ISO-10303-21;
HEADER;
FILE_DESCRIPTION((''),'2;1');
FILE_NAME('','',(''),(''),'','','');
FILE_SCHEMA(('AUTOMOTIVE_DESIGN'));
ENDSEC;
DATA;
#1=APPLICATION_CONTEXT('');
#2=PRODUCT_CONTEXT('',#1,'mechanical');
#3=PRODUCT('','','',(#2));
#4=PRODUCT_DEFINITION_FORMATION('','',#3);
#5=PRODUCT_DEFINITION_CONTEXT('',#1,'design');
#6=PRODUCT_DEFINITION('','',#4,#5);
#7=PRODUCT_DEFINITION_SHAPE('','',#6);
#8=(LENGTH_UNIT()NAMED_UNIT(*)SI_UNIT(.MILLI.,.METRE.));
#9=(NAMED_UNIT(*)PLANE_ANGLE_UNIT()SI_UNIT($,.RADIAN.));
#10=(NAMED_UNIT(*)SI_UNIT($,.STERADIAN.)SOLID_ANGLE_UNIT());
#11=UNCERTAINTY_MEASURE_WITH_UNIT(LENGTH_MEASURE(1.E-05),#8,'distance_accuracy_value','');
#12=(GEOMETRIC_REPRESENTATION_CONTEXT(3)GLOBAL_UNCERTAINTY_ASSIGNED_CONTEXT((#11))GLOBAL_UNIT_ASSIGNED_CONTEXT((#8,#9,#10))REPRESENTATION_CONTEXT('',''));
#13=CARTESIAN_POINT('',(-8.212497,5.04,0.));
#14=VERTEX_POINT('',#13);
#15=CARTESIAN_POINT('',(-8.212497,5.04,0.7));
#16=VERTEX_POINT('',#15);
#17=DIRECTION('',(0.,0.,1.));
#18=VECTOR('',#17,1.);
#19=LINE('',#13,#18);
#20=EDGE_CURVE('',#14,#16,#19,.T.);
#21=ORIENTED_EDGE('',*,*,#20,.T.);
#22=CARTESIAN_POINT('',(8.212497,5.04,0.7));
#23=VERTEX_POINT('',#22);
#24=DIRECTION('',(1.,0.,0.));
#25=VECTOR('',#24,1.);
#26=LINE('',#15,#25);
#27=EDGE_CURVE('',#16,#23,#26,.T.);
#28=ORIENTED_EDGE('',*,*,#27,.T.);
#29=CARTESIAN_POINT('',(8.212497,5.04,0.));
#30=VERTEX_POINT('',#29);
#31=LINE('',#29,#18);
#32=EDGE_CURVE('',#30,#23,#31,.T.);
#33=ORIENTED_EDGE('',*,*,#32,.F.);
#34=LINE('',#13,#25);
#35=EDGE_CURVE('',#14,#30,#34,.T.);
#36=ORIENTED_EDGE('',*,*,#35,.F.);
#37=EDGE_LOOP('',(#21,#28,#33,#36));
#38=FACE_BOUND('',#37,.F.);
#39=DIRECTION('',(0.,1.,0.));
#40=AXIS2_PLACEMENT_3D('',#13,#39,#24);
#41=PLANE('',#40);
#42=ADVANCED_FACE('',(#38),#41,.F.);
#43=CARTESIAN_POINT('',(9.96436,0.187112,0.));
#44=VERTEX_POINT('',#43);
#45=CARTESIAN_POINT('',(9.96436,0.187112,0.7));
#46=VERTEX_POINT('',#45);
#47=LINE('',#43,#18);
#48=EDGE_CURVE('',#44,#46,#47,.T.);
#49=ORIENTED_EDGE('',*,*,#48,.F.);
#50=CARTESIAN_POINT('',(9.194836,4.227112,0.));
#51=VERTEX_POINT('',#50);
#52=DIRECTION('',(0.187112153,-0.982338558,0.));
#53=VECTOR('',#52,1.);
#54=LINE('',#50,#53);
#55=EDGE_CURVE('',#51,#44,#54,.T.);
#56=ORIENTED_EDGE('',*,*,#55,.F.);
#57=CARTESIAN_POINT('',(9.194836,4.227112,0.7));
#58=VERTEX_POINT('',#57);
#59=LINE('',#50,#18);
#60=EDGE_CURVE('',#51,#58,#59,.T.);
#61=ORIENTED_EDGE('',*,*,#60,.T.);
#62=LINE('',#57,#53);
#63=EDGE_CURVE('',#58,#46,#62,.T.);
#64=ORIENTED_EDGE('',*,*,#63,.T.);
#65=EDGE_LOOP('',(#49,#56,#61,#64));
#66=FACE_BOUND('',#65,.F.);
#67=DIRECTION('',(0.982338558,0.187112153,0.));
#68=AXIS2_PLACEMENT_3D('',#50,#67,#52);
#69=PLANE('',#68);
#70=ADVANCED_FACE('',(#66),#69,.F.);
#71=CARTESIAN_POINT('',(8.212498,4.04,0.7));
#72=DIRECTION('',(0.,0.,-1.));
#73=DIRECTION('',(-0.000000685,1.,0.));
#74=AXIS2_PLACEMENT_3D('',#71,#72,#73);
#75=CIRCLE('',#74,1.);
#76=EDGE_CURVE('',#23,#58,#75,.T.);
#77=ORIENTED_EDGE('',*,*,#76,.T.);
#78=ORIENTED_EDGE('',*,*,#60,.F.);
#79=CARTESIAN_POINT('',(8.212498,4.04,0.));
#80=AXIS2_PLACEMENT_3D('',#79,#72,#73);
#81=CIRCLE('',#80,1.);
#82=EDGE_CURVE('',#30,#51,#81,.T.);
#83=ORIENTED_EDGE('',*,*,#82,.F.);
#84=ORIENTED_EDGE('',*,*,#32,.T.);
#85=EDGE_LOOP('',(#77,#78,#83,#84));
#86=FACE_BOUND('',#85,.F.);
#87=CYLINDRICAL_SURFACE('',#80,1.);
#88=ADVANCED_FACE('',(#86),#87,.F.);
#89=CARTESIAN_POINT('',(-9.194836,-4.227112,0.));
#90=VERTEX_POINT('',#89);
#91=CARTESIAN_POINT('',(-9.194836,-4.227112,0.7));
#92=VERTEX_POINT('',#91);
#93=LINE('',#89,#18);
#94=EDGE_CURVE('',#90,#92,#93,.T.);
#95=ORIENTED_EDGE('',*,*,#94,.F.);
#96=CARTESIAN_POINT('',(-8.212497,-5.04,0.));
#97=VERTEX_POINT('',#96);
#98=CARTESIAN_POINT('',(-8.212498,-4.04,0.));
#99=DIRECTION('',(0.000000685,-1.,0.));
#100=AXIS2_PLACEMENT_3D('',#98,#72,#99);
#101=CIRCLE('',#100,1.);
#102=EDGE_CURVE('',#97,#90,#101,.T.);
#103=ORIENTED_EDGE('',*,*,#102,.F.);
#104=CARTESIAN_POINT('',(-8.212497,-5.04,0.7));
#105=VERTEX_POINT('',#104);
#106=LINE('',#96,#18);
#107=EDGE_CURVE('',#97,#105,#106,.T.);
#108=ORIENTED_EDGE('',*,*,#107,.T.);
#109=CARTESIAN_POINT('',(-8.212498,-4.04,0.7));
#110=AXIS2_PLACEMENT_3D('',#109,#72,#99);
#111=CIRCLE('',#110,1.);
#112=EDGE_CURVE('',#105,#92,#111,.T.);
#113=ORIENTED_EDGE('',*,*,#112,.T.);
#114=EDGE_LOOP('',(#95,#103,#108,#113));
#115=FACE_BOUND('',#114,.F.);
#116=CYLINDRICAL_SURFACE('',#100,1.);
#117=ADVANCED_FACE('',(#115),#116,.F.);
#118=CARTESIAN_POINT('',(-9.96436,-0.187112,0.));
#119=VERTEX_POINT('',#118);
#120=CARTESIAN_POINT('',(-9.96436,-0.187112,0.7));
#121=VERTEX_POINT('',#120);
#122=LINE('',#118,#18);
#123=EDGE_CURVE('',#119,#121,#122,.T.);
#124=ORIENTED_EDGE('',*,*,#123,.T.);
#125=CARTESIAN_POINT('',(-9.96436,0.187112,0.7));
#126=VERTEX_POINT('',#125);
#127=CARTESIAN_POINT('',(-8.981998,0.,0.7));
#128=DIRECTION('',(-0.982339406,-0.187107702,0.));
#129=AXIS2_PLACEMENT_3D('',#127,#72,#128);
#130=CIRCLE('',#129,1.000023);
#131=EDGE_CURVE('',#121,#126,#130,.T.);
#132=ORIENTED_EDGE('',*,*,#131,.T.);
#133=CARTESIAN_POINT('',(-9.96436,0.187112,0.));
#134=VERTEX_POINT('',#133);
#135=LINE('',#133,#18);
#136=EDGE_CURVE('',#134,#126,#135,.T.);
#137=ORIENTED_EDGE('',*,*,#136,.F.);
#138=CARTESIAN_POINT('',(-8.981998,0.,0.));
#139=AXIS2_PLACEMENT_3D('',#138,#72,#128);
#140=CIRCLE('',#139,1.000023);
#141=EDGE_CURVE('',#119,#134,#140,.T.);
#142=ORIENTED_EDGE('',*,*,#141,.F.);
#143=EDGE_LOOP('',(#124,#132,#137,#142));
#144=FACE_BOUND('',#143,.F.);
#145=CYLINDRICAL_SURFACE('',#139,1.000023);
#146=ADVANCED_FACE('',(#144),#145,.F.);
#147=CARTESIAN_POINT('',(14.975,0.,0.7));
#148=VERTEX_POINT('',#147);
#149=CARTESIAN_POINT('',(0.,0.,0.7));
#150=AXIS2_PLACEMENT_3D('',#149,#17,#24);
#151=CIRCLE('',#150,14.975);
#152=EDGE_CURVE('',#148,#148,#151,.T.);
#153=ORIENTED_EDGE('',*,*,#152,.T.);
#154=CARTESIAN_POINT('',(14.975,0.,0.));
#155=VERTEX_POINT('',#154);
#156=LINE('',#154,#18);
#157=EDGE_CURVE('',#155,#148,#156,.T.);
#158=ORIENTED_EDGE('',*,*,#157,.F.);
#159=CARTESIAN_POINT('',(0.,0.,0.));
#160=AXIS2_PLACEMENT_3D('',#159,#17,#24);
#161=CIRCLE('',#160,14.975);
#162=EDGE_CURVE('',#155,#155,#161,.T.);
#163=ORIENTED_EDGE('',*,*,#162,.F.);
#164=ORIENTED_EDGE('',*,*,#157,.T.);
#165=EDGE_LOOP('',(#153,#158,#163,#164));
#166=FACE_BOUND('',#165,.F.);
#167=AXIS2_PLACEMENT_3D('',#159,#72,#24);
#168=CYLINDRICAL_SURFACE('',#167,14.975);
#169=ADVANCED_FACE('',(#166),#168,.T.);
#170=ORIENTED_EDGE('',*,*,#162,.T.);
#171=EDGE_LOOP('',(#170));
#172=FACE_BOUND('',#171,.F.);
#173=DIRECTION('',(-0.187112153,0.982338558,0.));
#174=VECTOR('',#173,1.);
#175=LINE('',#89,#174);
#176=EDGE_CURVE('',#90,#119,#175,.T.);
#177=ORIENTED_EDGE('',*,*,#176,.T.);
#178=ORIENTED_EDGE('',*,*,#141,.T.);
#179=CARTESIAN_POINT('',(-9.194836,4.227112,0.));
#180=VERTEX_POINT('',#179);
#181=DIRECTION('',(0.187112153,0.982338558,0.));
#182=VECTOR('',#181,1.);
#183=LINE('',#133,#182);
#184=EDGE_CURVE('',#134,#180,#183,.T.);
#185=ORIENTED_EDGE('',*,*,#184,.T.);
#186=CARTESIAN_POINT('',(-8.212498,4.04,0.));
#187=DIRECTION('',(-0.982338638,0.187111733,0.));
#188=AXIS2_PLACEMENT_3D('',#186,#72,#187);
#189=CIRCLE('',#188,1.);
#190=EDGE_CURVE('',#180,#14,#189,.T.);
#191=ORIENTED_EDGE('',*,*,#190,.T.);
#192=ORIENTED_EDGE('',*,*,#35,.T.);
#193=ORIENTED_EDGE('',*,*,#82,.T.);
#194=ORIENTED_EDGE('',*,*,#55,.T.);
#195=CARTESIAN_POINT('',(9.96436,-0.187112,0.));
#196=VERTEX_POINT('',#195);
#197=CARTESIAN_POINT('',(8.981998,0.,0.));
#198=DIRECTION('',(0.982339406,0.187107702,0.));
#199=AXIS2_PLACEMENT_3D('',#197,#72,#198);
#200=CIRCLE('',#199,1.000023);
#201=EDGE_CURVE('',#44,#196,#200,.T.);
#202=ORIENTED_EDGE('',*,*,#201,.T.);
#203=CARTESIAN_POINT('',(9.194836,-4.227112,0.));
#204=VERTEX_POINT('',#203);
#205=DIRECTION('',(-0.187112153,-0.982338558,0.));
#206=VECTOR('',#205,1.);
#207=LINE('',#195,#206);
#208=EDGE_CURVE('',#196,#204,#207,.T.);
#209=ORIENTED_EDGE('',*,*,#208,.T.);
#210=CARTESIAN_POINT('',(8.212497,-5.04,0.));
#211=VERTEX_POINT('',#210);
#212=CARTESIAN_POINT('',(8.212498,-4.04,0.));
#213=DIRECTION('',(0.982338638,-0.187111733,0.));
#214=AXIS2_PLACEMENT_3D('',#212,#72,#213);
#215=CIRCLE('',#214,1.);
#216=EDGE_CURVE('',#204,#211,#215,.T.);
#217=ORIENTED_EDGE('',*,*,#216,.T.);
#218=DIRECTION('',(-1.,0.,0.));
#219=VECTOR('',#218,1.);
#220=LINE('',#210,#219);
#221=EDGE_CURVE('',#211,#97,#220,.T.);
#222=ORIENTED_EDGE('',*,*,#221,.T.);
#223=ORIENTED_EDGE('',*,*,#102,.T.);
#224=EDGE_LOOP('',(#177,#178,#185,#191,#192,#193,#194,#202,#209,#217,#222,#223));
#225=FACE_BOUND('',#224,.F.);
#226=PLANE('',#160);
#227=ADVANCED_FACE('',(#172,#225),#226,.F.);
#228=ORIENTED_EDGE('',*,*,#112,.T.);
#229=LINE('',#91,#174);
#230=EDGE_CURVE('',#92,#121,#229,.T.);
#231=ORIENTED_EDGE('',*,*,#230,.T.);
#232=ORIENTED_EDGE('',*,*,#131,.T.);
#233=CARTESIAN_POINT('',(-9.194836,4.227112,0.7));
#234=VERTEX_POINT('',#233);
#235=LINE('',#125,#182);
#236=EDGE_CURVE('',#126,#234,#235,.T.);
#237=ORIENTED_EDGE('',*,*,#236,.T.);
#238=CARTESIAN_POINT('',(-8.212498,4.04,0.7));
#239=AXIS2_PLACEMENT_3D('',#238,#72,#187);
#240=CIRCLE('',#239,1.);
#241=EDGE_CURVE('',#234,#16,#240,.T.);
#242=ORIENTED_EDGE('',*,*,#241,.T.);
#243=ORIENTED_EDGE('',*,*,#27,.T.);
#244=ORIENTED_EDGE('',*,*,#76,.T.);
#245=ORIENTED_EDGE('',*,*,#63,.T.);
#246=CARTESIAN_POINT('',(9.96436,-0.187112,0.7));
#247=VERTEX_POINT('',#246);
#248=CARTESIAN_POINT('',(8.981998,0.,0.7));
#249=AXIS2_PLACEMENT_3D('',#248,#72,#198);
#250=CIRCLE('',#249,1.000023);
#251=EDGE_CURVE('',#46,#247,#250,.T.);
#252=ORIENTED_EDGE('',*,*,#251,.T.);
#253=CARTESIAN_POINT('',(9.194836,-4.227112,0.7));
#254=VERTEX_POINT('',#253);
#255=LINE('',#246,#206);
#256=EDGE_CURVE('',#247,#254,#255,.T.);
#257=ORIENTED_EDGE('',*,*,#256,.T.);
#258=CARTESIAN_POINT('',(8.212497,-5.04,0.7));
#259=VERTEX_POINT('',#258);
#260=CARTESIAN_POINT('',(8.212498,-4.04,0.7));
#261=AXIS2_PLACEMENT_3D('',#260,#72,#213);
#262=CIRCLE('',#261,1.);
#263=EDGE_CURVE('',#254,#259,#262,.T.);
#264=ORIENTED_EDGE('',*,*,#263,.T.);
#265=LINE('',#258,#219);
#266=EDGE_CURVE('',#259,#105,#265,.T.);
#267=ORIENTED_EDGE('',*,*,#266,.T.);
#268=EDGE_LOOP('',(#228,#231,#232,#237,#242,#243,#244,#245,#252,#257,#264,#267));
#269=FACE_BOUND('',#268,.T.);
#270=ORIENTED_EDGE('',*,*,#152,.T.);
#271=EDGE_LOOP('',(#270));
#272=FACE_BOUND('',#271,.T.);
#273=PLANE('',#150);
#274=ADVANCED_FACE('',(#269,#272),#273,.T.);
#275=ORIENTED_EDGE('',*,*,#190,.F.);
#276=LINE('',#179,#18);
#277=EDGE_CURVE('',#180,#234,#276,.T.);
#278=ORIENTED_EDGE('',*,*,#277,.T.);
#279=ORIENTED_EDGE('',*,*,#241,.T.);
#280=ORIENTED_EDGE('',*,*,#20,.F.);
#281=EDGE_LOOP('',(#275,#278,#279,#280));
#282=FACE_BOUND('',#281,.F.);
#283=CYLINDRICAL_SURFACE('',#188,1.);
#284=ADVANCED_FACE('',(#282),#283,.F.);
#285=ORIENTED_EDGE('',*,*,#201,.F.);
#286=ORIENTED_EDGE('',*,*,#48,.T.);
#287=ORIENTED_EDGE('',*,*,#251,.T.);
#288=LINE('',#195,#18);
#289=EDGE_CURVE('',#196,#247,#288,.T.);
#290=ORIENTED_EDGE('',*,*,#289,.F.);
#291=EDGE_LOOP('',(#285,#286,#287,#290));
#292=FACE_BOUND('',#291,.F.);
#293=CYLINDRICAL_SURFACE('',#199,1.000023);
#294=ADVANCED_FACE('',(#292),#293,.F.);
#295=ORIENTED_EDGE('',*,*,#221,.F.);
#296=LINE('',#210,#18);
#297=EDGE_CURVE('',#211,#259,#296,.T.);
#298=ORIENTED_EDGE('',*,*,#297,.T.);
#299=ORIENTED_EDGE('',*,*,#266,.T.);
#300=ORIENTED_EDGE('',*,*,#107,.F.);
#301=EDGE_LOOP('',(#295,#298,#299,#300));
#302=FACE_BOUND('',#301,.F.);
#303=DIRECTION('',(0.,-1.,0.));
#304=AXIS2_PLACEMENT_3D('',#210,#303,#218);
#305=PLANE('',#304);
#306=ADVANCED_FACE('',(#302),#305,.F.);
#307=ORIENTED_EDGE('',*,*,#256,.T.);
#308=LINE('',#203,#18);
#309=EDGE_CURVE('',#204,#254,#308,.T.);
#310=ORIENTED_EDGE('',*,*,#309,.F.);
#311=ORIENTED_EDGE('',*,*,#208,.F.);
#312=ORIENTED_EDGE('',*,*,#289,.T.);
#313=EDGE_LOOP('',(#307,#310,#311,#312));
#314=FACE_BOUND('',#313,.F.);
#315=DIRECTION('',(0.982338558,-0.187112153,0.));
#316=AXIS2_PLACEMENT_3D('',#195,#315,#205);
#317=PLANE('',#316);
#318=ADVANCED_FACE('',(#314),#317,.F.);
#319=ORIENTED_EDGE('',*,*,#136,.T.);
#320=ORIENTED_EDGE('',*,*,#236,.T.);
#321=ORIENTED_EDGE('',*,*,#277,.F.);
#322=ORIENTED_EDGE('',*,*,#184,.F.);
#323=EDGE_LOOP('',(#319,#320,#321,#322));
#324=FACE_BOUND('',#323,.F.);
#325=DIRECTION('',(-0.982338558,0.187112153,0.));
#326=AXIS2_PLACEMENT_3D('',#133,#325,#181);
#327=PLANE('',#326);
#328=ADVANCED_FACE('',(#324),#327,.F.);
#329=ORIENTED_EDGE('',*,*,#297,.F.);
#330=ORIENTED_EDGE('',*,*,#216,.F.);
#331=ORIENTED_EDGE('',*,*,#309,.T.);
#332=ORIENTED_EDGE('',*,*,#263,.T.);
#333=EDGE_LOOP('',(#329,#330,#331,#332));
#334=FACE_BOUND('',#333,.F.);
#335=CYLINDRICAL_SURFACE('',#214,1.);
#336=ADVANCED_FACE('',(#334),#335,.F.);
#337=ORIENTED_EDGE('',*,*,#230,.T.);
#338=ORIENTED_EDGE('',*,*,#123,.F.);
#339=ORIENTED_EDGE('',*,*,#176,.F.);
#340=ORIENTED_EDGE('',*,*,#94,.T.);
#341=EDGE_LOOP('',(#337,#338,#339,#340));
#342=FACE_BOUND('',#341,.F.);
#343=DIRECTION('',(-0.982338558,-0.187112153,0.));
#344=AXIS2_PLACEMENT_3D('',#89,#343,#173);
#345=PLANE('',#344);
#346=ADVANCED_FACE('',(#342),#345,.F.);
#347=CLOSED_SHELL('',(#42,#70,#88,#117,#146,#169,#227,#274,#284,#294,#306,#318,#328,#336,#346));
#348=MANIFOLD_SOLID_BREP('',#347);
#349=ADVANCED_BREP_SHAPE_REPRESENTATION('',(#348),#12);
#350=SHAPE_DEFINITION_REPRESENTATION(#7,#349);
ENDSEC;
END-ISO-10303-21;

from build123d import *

# Parameters (mm, degrees)
F0_R     = 14.975
F1_DEPTH = 0.7


with BuildPart() as f1:
    # F0 (on Top) → F1 (new body)
    with BuildSketch(Plane.XY):
        Circle(F0_R)
        with BuildLine():
            Line((-8.212497, 5.04), (8.212497, 5.04))
            ThreePointArc((8.212497, 5.04), (8.850027, 4.810426), (9.194836, 4.227112))
            Line((9.194836, 4.227112), (9.96436, 0.187112))
            ThreePointArc((9.96436, 0.187112), (9.982021, 0), (9.96436, -0.187112))
            Line((9.96436, -0.187112), (9.194836, -4.227112))
            ThreePointArc((9.194836, -4.227112), (8.850027, -4.810426), (8.212497, -5.04))
            Line((8.212497, -5.04), (-8.212497, -5.04))
            ThreePointArc((-8.212497, -5.04), (-8.850027, -4.810426), (-9.194836, -4.227112))
            Line((-9.194836, -4.227112), (-9.96436, -0.187112))
            ThreePointArc((-9.96436, -0.187112), (-9.982021, 0), (-9.96436, 0.187112))
            Line((-9.96436, 0.187112), (-9.194836, 4.227112))
            ThreePointArc((-9.194836, 4.227112), (-8.850027, 4.810426), (-8.212497, 5.04))
        make_face(mode=Mode.SUBTRACT)
    extrude(amount=F1_DEPTH)


solid = f1.part
